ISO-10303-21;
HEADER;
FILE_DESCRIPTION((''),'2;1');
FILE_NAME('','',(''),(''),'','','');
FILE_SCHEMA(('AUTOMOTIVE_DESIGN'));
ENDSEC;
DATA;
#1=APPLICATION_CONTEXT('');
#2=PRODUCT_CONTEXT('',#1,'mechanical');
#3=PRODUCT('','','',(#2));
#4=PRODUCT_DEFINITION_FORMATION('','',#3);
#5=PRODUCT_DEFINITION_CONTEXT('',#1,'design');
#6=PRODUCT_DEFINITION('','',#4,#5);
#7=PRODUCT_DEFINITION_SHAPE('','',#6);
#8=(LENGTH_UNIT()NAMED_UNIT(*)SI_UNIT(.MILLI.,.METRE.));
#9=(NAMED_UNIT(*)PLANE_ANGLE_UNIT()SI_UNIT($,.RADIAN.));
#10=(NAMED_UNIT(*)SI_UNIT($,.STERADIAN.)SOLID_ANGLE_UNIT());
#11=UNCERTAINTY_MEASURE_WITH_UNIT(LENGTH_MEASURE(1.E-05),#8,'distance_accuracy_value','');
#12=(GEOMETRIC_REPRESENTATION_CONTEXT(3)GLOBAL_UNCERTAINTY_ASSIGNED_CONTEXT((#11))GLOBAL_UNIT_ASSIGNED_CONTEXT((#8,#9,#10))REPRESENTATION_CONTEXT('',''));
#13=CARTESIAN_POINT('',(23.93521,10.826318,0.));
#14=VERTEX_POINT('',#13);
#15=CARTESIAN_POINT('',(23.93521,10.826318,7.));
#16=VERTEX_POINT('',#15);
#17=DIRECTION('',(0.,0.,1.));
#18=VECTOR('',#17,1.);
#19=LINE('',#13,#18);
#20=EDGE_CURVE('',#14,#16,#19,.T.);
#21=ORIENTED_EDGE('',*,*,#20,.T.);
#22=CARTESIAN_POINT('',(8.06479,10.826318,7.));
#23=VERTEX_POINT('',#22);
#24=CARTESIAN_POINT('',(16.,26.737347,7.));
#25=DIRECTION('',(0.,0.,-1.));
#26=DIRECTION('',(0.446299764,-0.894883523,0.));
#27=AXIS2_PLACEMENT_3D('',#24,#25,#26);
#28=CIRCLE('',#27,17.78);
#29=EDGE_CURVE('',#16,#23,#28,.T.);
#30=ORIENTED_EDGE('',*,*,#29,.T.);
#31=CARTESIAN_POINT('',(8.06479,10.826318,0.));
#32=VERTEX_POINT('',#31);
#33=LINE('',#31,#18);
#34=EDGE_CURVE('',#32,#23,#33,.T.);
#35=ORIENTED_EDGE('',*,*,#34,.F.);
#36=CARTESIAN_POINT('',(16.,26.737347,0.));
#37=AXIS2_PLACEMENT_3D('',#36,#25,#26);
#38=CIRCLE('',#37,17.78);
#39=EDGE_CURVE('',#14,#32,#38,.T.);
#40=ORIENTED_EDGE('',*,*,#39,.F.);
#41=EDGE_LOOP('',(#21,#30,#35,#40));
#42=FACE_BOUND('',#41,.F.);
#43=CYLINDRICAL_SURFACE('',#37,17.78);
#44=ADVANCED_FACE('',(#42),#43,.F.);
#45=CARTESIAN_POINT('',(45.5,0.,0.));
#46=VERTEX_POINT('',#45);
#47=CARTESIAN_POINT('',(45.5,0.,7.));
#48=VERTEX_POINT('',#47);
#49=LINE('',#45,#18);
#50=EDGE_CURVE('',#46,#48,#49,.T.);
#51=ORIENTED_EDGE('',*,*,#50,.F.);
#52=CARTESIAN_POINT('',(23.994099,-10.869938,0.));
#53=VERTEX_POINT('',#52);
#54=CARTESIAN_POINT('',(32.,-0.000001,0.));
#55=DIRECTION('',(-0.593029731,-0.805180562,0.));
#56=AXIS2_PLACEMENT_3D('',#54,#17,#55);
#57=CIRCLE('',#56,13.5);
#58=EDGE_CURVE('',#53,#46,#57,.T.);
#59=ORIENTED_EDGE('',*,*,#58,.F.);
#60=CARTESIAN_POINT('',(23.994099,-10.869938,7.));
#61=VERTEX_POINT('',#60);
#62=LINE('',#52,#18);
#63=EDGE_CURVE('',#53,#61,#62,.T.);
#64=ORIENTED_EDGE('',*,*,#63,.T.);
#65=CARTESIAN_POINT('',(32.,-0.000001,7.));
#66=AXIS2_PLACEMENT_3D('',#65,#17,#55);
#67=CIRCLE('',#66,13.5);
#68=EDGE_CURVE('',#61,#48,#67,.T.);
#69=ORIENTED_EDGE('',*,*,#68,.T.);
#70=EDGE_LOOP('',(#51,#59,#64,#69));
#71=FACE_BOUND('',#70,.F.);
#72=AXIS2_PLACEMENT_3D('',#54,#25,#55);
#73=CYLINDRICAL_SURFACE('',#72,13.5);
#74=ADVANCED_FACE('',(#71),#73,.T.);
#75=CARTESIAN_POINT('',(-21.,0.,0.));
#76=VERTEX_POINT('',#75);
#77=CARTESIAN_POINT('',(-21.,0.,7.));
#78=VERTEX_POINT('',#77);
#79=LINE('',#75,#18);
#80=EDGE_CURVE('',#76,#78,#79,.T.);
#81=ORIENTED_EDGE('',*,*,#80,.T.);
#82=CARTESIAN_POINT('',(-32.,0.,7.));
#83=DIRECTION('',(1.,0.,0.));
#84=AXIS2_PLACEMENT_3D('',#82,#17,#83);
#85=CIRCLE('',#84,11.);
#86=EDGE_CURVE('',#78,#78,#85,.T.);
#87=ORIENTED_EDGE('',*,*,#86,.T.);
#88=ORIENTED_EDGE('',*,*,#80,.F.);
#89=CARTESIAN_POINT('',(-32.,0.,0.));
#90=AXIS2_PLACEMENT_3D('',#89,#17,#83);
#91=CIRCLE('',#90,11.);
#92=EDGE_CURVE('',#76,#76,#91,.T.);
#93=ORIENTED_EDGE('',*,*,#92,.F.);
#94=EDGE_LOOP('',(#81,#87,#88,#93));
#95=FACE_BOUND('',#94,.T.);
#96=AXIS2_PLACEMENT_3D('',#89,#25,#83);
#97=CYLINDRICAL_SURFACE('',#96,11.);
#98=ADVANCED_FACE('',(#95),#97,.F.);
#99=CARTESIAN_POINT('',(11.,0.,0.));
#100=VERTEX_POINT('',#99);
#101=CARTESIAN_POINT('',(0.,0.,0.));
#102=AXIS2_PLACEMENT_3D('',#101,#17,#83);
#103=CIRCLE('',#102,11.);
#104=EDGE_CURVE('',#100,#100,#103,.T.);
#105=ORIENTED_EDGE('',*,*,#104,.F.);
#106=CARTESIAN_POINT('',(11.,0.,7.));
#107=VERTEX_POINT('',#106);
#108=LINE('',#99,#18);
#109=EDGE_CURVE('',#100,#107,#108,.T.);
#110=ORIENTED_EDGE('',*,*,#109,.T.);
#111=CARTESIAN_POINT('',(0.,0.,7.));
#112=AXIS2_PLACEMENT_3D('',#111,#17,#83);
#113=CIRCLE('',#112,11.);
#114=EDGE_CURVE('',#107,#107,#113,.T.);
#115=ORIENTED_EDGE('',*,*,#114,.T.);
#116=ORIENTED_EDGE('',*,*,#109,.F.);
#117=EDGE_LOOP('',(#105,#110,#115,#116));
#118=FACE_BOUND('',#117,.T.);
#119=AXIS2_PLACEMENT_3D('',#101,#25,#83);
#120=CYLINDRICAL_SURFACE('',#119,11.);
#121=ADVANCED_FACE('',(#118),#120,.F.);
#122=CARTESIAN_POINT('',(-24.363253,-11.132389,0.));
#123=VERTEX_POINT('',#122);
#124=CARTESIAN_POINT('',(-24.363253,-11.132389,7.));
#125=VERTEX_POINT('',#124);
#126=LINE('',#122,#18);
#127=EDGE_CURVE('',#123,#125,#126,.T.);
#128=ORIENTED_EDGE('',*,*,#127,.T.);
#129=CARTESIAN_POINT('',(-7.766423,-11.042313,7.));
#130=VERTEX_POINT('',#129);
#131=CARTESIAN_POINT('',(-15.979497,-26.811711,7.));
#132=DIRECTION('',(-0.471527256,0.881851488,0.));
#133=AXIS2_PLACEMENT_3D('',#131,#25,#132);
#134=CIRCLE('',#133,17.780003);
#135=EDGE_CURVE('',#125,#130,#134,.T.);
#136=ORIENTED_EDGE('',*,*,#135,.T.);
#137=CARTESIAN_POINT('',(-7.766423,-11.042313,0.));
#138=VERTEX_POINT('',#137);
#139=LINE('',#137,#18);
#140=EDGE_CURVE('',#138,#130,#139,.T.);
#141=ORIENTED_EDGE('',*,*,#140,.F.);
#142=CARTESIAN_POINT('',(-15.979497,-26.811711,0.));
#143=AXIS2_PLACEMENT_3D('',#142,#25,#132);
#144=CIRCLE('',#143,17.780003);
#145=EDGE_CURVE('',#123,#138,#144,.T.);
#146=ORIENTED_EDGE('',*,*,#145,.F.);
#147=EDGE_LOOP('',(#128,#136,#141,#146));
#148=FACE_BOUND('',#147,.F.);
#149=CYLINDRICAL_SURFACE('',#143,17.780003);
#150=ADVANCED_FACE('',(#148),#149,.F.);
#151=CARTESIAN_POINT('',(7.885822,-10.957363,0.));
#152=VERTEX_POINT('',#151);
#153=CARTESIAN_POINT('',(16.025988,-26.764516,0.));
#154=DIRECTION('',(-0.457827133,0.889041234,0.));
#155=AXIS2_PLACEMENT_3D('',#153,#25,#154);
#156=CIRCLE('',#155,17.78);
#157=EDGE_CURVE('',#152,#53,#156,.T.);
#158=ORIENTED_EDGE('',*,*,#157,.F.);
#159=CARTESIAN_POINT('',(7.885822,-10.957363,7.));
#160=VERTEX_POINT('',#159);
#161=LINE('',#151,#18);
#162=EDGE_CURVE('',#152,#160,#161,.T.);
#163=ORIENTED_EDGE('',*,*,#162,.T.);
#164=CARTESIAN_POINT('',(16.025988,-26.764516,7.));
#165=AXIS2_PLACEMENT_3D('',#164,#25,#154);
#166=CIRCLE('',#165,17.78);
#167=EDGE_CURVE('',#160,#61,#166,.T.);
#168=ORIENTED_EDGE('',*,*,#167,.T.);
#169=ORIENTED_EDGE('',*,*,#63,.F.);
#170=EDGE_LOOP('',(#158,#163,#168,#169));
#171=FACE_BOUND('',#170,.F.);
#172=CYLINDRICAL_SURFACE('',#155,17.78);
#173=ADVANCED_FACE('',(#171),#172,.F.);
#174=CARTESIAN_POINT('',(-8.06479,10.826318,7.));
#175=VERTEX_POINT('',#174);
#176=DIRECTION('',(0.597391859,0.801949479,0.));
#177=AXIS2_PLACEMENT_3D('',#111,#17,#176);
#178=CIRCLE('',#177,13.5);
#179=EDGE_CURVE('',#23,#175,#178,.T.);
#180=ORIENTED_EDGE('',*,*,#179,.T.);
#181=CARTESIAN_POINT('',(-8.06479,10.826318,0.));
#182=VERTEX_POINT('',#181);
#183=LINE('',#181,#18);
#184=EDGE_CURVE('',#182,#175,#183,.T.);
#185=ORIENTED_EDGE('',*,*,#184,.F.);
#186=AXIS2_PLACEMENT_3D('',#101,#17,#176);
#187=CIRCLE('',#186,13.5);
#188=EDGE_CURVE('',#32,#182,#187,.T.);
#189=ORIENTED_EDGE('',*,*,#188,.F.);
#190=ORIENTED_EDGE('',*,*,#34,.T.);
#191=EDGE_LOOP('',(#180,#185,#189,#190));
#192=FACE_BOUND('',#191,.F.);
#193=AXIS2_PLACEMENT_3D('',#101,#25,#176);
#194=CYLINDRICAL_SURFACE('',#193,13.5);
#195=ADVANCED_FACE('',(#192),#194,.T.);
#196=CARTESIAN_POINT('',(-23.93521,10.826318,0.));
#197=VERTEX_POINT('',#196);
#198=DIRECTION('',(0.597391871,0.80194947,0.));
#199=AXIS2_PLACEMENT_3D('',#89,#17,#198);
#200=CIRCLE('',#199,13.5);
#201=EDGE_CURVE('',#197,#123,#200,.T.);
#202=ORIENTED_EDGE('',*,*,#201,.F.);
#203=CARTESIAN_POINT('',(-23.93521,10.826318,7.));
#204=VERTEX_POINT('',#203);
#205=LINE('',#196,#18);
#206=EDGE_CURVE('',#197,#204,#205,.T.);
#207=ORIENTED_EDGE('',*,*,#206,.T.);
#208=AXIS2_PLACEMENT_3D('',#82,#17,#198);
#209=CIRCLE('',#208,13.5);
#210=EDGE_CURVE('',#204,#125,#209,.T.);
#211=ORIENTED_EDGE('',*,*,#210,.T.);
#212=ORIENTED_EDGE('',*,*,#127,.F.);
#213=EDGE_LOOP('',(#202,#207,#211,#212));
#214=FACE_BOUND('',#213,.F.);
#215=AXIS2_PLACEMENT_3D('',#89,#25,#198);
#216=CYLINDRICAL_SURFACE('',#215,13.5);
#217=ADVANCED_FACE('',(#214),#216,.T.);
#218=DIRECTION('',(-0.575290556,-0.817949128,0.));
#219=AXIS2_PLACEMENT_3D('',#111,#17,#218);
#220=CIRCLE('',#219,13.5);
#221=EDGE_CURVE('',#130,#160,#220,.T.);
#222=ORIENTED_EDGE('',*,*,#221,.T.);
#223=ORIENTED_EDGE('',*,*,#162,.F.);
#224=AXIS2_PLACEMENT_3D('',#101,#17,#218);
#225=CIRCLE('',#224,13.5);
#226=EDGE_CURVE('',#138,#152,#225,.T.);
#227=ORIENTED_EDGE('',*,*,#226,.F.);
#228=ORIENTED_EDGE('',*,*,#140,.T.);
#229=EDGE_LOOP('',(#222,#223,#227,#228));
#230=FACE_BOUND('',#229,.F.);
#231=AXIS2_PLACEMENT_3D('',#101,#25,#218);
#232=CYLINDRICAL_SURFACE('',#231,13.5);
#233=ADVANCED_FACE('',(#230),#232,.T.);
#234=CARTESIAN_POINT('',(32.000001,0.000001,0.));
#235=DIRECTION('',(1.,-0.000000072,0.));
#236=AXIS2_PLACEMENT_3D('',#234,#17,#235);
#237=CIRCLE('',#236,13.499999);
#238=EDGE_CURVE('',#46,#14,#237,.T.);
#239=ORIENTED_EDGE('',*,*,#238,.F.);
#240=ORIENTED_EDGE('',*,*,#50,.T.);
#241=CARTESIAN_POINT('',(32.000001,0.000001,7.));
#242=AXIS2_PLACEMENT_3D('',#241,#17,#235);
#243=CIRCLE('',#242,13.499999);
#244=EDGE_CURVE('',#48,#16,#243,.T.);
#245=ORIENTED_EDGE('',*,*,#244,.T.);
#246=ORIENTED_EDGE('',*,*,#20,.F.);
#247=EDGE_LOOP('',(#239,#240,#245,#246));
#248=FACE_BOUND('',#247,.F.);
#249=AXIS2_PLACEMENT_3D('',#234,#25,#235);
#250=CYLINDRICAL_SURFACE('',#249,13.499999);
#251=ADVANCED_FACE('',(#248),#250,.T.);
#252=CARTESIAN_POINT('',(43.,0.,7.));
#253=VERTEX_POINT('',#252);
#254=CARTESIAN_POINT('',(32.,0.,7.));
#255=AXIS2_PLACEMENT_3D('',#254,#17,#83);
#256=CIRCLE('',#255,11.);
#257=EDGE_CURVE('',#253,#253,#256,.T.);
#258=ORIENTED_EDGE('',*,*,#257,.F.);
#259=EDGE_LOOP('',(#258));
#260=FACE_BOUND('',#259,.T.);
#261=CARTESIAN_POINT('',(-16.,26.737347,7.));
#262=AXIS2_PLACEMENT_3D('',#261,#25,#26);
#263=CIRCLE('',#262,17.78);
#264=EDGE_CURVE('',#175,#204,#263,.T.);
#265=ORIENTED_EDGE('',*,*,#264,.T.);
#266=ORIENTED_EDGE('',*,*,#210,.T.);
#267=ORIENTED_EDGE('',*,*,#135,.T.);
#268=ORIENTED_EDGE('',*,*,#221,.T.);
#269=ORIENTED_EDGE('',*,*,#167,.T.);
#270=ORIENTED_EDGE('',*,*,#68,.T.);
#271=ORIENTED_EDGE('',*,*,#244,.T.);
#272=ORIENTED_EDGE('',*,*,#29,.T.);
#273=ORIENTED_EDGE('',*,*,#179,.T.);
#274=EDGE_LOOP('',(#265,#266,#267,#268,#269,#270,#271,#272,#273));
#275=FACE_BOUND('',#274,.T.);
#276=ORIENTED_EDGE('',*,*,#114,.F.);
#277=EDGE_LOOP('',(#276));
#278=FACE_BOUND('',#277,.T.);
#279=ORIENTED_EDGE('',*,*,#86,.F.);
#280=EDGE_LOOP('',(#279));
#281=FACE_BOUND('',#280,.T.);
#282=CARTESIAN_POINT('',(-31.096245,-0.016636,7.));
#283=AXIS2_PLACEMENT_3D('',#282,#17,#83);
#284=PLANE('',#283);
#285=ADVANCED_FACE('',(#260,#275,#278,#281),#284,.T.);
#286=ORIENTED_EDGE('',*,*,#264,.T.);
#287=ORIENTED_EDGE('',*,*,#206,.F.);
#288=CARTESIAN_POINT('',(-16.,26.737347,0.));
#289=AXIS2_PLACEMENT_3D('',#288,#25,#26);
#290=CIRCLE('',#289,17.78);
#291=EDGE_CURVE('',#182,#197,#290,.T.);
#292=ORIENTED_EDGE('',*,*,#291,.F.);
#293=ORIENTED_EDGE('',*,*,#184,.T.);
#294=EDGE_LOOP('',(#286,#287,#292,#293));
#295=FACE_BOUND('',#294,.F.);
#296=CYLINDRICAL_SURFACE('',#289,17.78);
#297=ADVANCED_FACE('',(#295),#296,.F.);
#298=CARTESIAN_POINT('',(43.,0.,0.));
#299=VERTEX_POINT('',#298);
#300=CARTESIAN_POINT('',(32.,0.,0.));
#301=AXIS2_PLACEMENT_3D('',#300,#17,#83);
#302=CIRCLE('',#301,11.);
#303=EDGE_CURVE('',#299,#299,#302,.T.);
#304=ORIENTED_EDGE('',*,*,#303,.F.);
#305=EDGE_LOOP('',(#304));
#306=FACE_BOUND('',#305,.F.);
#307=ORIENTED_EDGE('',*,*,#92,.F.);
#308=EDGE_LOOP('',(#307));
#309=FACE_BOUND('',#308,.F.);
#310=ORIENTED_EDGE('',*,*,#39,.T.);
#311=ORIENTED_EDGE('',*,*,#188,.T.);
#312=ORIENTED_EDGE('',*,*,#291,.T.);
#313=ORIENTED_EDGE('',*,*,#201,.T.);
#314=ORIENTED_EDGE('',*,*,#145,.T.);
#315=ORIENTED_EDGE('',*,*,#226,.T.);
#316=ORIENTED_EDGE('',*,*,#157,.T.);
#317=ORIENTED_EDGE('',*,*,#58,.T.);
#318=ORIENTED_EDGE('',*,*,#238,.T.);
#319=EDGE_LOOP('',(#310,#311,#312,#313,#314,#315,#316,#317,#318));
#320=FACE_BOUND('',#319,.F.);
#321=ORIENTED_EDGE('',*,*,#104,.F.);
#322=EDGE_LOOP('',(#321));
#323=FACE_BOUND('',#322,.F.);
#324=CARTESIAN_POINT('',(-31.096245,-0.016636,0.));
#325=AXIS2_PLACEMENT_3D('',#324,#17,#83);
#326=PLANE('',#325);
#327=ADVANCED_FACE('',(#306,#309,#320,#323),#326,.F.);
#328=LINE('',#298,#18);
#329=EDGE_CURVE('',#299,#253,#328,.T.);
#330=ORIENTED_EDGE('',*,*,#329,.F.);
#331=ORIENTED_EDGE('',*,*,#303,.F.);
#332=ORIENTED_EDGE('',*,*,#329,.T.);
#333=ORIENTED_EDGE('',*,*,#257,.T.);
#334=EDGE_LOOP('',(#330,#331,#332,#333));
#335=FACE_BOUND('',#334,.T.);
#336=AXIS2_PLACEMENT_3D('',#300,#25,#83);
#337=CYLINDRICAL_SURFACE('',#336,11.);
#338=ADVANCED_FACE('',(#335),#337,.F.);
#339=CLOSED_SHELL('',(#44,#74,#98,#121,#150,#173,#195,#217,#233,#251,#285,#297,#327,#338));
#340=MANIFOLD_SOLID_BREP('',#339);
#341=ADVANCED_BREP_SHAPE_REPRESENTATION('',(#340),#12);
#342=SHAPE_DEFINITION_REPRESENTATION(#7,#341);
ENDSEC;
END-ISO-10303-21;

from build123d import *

# Parameters (mm, degrees)
F0_R     = 11
F1_DEPTH = 7


with BuildPart() as f1:
    # F0 (on Top) → F1 (new body)
    with BuildSketch(Plane.XY):
        with BuildLine():
            ThreePointArc((-24.363253, -11.132389), (-20.055418, -6.291022), (-18.5, 0))
            ThreePointArc((-18.5, 0), (-19.935078, 6.057035), (-23.93521, 10.826318))
            ThreePointArc((-23.93521, 10.826318), (-45.497436, 0.263106), (-24.363253, -11.132389))
        make_face()
        with Locations((-32, 0)):
            Circle(F0_R, mode=Mode.SUBTRACT)
        with BuildLine():
            ThreePointArc((-23.93521, 10.826318), (-19.935078, 6.057035), (-18.5, 0))
            ThreePointArc((-18.5, 0), (-20.055418, -6.291022), (-24.363253, -11.132389))
            ThreePointArc((-24.363253, -11.132389), (-16.075993, -9.03197), (-7.766423, -11.042313))
            ThreePointArc((-7.766423, -11.042313), (-13.498744, -0.184171), (-8.06479, 10.826318))
            ThreePointArc((-8.06479, 10.826318), (-16, 8.957347), (-23.93521, 10.826318))
        make_face()
        with BuildLine():
            ThreePointArc((8.06479, 10.826318), (0, 13.5), (-8.06479, 10.826318))
            ThreePointArc((-8.06479, 10.826318), (-13.498744, -0.184171), (-7.766423, -11.042313))
            ThreePointArc((-7.766423, -11.042313), (0.073268, -13.499801), (7.885822, -10.957363))
            ThreePointArc((7.885822, -10.957363), (12.014753, -6.155948), (13.5, 0))
            ThreePointArc((13.5, 0), (12.064922, 6.057035), (8.06479, 10.826318))
        make_face()
        Circle(F0_R, mode=Mode.SUBTRACT)
        with BuildLine():
            ThreePointArc((23.93521, 10.826318), (16, 8.957347), (8.06479, 10.826318))
            ThreePointArc((8.06479, 10.826318), (12.064922, 6.057035), (13.5, 0))
            ThreePointArc((13.5, 0), (12.014753, -6.155948), (7.885822, -10.957363))
            ThreePointArc((7.885822, -10.957363), (15.929492, -8.984778), (23.994099, -10.869938))
            ThreePointArc((23.994099, -10.869938), (18.50005, -0.036642), (23.93521, 10.826318))
        make_face()
        with BuildLine():
            ThreePointArc((45.5, 0), (38.057035, 12.064922), (23.93521, 10.826318))
            ThreePointArc((23.93521, 10.826318), (18.50005, -0.036642), (23.994099, -10.869938))
            ThreePointArc((23.994099, -10.869938), (38.08976, -12.048437), (45.5, 0))
        make_face()
        with Locations((32, 0)):
            Circle(F0_R, mode=Mode.SUBTRACT)
    extrude(amount=F1_DEPTH)


solid = f1.part
